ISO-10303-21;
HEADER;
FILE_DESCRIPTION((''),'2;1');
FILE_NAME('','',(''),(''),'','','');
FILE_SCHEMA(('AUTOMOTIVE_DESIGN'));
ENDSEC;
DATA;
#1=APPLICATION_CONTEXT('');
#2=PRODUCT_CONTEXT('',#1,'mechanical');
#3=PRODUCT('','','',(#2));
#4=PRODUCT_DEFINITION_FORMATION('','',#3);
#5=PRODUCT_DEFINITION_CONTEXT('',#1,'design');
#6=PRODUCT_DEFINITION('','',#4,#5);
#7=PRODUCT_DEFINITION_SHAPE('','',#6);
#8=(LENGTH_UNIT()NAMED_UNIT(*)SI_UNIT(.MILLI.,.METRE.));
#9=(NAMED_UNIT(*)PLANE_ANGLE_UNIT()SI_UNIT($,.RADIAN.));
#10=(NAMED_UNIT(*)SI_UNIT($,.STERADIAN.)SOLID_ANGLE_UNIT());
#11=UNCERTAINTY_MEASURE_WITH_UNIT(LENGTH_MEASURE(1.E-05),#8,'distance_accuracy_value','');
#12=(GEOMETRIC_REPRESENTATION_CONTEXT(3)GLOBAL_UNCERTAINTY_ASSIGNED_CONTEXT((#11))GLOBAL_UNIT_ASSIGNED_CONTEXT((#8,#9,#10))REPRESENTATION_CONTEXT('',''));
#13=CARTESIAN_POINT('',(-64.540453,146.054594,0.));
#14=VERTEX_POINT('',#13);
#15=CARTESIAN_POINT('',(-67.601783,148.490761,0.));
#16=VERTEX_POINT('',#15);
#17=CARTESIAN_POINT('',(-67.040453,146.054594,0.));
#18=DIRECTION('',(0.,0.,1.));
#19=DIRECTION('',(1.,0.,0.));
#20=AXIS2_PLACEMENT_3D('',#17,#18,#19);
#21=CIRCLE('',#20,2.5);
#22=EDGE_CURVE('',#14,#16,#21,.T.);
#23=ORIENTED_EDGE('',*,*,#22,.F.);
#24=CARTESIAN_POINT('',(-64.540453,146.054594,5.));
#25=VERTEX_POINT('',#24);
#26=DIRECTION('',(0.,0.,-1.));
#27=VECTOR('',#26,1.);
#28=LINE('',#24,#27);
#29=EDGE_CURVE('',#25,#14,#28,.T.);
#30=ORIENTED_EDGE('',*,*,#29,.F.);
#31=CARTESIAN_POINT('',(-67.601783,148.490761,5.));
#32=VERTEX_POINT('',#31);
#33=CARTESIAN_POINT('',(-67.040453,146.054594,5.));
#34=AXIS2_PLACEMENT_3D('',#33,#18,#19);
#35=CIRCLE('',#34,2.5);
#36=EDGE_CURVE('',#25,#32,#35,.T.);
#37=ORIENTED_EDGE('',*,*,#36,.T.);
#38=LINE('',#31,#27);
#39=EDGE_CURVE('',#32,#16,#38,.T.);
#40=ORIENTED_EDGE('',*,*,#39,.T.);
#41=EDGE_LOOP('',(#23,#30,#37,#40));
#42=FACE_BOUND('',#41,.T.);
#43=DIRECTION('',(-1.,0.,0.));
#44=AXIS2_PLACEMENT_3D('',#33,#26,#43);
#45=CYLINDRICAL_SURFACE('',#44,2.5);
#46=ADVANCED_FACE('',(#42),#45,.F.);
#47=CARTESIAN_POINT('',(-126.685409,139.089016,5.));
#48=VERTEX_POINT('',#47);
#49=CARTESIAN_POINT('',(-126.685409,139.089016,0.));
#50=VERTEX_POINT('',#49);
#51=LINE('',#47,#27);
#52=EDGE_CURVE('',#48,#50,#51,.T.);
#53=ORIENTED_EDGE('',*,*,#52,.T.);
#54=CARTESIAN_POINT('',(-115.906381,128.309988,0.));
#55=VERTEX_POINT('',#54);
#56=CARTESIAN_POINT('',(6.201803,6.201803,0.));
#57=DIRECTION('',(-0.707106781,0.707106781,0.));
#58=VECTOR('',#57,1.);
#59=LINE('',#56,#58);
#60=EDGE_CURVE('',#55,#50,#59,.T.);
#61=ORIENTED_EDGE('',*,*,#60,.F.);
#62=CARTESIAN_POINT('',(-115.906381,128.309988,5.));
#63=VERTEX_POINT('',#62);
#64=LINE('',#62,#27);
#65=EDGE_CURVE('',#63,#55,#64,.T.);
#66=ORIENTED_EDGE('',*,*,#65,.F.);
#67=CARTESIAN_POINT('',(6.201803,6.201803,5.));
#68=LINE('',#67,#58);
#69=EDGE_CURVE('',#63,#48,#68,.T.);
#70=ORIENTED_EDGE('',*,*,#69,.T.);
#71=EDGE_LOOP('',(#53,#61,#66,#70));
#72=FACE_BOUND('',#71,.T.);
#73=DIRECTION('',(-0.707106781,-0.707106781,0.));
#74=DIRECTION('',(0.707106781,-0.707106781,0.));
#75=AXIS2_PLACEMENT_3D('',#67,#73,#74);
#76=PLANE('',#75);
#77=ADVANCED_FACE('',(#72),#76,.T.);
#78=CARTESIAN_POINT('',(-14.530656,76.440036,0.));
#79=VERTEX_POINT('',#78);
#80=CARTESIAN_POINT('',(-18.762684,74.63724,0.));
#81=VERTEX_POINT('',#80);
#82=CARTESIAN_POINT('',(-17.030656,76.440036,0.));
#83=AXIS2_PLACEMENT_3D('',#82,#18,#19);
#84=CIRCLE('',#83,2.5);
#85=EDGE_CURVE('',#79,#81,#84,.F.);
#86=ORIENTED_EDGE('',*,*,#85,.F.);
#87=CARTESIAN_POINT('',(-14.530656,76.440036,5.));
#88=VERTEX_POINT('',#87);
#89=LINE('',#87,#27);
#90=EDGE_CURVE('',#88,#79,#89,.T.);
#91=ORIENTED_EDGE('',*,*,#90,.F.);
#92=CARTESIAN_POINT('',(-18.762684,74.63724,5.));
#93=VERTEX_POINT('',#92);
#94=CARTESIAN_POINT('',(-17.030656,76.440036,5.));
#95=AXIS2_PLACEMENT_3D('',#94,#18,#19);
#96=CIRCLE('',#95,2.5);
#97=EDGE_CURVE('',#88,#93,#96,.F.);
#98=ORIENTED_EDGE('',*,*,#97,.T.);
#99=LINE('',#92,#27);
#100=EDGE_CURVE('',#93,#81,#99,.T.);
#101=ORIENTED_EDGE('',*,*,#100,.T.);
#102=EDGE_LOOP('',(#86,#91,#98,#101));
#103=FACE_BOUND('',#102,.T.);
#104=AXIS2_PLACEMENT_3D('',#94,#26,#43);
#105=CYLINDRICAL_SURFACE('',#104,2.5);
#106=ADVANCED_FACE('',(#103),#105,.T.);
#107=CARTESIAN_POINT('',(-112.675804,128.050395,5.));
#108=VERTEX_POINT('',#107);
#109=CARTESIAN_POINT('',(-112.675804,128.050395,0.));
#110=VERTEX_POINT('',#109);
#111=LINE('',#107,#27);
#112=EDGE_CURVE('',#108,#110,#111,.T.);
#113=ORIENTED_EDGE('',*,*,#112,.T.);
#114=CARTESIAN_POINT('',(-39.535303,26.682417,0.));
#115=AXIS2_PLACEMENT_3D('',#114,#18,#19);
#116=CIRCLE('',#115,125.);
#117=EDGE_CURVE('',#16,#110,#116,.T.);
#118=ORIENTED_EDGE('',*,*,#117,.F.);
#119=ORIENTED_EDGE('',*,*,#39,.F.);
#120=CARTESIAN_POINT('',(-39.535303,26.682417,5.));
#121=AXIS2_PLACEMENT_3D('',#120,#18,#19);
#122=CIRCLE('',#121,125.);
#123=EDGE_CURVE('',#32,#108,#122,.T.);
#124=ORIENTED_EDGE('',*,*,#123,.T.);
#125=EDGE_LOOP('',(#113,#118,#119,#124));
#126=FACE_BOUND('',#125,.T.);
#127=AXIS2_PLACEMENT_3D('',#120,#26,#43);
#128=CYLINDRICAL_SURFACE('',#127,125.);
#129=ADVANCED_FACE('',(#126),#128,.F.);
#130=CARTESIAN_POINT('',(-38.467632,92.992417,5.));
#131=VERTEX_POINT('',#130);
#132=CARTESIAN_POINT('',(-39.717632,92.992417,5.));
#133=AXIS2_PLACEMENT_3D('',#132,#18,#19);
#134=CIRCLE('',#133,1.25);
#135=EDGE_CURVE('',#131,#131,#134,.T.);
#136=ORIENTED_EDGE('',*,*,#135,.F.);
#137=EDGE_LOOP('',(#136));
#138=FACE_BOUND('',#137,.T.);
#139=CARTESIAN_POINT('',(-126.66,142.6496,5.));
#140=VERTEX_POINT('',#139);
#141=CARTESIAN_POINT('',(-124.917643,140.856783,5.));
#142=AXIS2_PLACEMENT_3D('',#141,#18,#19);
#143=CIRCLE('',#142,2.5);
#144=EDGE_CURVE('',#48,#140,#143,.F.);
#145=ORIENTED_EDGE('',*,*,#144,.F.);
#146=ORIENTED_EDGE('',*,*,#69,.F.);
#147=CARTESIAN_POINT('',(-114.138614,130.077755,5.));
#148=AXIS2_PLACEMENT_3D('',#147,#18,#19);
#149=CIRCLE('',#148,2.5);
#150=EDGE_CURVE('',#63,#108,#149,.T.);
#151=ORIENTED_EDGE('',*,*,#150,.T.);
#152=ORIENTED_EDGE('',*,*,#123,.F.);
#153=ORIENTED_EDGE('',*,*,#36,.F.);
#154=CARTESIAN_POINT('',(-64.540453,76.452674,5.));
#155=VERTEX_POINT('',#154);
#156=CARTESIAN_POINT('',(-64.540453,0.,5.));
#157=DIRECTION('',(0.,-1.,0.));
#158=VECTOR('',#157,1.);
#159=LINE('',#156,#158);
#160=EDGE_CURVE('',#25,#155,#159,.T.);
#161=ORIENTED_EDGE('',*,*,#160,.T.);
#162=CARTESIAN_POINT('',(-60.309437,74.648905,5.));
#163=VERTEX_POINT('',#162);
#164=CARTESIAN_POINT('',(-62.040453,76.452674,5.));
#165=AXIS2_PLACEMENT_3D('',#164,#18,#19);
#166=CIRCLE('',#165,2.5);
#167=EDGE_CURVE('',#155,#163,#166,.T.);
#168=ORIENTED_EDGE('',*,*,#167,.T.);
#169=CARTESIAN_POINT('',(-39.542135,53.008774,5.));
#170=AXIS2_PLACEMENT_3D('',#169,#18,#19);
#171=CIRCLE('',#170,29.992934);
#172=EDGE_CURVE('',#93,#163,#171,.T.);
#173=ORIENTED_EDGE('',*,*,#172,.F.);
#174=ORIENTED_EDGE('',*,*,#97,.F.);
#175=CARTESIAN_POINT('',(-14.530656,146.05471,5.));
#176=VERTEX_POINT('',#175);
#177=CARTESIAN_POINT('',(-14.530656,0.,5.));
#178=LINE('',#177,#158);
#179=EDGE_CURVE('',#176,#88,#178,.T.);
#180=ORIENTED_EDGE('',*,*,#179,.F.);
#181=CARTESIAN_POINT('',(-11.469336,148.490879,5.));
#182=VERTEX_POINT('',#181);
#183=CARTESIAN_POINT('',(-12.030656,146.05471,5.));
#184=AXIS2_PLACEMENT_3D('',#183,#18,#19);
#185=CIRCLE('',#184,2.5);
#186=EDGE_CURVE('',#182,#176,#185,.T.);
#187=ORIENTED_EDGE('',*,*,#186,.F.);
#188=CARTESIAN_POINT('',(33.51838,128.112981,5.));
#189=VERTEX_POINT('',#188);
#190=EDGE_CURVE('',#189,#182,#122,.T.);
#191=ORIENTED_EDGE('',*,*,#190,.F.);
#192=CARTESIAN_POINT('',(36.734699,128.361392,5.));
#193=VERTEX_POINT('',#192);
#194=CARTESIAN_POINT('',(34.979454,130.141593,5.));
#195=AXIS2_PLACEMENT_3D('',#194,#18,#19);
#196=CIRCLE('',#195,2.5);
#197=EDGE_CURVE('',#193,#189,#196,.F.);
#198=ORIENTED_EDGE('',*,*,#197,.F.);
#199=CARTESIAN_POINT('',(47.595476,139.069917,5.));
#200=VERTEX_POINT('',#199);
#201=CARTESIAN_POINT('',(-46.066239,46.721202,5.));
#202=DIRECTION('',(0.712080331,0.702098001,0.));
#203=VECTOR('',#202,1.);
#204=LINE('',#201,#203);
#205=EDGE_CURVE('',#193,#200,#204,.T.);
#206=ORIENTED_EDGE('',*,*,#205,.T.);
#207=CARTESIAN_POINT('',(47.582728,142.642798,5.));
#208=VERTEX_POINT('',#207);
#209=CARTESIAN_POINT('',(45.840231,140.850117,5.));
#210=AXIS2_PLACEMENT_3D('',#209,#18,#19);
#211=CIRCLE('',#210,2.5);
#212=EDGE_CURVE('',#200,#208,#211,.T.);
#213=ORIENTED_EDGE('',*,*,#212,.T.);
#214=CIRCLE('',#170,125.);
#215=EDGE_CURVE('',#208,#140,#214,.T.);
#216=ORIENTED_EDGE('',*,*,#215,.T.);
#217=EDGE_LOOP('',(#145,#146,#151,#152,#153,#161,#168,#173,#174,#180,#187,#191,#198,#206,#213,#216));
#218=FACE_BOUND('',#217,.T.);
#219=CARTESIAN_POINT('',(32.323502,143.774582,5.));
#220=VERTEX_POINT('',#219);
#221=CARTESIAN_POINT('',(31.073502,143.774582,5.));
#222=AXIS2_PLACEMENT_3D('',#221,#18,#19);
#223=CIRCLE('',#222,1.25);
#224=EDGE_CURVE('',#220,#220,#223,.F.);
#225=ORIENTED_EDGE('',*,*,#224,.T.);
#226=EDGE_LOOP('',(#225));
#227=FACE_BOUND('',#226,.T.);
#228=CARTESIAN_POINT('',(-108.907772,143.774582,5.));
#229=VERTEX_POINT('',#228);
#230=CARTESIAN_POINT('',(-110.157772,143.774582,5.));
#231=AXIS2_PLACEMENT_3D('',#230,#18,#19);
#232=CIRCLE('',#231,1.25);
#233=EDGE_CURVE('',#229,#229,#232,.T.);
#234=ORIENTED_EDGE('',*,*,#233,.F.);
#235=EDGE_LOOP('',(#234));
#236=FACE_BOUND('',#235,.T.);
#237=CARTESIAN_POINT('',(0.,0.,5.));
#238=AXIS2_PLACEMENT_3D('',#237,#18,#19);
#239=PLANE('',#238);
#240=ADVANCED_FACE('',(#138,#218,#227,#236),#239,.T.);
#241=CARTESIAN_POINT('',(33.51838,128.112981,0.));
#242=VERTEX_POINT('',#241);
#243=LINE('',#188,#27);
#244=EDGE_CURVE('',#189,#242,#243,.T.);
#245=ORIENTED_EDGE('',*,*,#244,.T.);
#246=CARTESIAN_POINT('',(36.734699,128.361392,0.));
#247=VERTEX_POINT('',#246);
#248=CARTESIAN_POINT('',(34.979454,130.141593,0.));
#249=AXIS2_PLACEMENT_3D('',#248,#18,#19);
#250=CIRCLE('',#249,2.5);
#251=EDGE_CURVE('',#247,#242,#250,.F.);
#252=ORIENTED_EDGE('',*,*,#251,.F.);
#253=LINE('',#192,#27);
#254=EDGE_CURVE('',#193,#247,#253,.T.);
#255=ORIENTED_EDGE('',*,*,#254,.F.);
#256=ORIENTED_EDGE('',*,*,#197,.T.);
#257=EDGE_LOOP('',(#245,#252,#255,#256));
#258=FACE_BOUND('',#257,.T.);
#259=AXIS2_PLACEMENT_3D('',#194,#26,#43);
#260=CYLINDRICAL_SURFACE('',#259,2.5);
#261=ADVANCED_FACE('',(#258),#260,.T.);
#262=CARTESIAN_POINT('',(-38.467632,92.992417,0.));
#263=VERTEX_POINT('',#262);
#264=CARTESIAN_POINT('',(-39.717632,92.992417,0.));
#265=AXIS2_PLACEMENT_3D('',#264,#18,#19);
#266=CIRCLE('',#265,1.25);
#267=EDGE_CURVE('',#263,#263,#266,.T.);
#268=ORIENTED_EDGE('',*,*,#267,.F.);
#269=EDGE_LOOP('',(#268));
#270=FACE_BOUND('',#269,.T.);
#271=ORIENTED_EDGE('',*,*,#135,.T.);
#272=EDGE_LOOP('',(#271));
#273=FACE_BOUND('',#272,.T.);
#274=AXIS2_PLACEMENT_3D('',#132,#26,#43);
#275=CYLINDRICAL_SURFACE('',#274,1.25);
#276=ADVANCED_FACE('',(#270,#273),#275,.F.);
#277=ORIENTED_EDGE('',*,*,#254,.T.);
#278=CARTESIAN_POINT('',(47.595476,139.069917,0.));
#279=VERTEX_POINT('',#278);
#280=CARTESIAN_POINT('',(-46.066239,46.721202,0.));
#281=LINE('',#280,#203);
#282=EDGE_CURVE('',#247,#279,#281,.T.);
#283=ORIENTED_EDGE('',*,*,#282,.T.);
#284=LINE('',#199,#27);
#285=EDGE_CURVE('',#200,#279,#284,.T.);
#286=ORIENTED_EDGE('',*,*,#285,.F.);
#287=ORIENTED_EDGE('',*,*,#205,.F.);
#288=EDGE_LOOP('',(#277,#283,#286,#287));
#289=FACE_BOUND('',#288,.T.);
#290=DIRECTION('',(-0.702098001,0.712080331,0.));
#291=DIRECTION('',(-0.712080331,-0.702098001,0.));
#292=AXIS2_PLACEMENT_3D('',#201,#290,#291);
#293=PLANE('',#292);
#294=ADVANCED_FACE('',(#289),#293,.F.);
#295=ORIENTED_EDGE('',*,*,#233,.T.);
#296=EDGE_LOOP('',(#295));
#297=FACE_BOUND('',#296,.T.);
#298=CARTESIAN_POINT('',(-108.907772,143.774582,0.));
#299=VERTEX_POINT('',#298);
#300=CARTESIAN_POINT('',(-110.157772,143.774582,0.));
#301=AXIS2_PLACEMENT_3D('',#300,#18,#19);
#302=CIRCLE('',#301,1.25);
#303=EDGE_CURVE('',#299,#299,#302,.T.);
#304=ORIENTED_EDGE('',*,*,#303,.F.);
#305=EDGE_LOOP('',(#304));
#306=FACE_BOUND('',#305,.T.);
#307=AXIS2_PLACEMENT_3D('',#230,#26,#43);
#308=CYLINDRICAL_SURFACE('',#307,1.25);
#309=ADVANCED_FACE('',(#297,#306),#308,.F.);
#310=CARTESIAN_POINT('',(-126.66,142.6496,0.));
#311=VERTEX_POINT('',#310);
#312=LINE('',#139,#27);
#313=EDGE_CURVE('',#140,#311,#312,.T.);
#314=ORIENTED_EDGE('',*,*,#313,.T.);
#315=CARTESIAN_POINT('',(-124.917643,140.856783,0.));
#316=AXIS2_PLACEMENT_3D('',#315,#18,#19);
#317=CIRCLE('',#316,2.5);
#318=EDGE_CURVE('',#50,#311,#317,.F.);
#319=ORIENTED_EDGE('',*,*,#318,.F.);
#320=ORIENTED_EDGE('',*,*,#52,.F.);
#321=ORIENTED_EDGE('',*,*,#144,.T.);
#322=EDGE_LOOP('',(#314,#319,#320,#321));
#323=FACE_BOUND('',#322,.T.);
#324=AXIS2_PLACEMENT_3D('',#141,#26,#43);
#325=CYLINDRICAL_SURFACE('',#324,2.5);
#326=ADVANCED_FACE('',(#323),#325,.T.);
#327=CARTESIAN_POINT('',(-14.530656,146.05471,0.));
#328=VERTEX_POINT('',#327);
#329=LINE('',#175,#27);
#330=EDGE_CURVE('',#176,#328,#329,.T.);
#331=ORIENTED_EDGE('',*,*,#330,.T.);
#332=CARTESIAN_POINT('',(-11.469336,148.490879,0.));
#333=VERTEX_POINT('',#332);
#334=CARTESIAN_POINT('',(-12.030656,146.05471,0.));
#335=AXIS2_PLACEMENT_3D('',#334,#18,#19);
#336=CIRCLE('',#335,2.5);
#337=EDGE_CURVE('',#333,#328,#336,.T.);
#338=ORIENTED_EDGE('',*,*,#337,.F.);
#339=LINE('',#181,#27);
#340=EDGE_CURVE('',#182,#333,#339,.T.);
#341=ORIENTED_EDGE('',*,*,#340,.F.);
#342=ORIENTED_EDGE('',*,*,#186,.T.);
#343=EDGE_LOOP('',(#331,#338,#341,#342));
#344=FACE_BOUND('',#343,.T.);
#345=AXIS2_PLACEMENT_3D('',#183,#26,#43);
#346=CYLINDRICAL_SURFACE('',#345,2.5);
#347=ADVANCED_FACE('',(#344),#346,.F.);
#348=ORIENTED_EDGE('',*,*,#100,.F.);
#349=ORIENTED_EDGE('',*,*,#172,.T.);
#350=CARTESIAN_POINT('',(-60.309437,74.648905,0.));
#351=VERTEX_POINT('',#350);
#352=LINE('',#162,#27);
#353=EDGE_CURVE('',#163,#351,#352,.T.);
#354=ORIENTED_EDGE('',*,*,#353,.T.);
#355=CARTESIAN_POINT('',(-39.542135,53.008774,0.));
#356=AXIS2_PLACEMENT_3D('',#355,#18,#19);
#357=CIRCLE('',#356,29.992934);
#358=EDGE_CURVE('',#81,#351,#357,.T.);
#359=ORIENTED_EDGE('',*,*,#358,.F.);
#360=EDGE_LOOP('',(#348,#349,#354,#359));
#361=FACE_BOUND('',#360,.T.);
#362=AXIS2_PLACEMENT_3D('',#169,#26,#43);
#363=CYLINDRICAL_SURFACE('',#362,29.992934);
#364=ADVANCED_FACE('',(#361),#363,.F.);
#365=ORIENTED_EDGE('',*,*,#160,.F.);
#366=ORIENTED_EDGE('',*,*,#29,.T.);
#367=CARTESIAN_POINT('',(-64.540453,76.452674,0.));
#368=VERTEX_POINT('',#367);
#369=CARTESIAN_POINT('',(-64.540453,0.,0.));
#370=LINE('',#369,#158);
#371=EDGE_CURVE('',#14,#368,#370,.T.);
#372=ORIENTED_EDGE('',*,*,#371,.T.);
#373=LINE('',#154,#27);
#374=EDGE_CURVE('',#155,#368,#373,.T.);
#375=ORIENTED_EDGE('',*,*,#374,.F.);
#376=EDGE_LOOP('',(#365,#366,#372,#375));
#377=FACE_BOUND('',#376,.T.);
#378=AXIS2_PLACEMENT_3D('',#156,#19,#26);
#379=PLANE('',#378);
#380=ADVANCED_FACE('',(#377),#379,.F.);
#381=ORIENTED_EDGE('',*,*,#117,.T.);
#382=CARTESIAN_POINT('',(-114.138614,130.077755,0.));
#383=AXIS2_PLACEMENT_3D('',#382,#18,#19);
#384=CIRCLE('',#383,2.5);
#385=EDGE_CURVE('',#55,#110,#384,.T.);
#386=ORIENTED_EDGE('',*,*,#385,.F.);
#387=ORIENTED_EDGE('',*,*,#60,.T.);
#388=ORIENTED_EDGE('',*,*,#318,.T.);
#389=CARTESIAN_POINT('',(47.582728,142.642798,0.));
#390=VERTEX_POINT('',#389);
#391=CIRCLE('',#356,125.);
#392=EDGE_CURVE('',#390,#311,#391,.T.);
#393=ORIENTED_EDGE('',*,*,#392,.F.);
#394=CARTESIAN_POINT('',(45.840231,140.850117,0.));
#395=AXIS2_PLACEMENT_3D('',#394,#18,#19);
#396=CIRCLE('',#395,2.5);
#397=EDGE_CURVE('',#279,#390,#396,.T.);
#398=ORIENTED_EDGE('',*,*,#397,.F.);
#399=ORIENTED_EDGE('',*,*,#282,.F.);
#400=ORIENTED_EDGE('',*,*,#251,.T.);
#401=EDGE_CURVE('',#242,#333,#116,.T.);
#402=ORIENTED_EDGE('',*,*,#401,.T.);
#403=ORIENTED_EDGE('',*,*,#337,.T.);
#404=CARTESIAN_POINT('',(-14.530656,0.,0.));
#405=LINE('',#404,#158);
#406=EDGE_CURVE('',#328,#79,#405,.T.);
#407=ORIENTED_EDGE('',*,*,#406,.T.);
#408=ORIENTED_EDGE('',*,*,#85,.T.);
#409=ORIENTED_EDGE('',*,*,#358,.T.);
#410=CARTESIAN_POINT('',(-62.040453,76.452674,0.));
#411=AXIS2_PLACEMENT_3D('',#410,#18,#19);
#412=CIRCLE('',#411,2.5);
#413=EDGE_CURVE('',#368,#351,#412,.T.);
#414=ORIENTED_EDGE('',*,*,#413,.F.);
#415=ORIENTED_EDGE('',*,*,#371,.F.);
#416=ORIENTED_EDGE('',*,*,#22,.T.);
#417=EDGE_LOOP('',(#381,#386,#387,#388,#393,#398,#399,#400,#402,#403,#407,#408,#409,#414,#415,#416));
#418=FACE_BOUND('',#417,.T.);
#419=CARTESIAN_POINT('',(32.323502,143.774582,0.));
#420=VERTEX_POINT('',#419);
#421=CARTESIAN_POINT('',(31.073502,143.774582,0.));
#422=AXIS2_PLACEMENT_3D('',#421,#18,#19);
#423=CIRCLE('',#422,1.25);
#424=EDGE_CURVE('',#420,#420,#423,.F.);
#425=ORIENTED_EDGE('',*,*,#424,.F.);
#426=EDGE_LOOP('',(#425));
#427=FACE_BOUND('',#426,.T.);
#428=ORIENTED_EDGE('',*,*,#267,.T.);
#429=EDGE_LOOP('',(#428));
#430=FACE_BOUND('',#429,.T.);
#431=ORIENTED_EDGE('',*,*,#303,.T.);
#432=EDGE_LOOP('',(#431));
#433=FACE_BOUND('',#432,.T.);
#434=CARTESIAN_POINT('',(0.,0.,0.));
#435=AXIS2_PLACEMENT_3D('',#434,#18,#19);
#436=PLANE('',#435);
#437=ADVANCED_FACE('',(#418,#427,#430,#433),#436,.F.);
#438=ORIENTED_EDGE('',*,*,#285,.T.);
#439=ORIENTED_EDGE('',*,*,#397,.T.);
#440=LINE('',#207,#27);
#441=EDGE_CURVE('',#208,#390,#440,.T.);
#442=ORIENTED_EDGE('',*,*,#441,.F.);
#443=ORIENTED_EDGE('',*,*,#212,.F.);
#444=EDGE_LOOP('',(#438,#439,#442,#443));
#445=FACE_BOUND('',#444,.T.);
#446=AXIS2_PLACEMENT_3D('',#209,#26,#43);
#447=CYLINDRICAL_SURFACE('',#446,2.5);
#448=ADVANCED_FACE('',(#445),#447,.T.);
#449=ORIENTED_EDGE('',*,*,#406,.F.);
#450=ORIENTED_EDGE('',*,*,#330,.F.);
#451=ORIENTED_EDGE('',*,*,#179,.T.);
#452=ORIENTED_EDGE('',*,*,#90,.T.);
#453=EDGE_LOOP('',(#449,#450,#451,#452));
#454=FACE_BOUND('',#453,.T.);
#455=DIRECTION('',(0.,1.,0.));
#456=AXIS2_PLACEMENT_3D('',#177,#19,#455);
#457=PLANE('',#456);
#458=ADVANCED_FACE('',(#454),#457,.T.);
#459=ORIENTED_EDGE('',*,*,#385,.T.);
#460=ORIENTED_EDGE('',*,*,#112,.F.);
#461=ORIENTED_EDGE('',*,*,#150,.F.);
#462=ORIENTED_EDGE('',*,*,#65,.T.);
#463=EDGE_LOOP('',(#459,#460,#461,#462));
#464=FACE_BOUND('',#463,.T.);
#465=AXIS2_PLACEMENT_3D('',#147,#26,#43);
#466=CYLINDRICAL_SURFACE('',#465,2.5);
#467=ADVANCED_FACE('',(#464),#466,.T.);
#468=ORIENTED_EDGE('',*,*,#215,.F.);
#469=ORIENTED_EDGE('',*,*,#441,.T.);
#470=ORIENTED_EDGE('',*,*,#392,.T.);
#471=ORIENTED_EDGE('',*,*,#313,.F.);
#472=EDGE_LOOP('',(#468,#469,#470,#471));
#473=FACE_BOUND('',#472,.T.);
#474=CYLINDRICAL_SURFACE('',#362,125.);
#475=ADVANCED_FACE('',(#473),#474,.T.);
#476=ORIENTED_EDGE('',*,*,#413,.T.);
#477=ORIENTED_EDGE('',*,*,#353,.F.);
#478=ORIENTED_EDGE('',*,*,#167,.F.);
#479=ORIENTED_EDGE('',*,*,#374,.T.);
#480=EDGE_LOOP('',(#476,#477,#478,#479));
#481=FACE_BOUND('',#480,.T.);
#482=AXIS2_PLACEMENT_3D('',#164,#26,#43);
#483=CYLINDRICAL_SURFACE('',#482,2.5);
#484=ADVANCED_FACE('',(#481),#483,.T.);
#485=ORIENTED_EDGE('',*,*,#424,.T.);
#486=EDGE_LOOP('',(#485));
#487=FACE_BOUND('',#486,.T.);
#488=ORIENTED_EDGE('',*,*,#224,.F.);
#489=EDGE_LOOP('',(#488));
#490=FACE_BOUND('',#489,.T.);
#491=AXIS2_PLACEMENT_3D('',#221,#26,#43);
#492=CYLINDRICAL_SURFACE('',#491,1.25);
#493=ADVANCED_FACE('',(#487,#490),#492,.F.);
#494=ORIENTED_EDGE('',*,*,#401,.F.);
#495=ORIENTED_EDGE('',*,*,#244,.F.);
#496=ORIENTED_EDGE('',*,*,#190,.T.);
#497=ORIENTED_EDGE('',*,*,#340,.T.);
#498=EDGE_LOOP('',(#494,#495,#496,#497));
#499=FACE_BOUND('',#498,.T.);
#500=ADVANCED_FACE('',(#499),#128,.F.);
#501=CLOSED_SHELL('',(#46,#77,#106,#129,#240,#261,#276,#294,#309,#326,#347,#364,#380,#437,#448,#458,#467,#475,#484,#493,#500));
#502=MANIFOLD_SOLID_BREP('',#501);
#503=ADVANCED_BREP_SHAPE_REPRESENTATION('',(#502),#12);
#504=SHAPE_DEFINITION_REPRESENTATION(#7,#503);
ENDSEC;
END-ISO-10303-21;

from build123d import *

# Parameters (mm, degrees)
SKETCH1_R           = 1.25
BOSS_EXTRUDE1_DEPTH = 5


with BuildPart() as part:
    # Sketch1 → Boss-Extrude1 (new body)
    with BuildSketch(Plane.XY):
        with BuildLine():
            Line((-14.530655618, 76.440036381), (-14.530655618, 146.054710198))
            ThreePointArc((-14.530655618, 146.054710198), (-13.587367163, 148.010892491), (-11.469336287, 148.490879447))
            ThreePointArc((-11.469336287, 148.490879447), (12.04095694, 140.545885375), (33.518380328, 128.112981328))
            ThreePointArc((33.518380328, 128.112981328), (35.171966674, 127.649015862), (36.734698992, 128.361391788))
            Line((36.734698992, 128.361391788), (47.595476063, 139.069916571))
            ThreePointArc((47.595476063, 139.069916571), (48.340215149, 140.859037128), (47.582728327, 142.642797871))
            ThreePointArc((47.582728327, 142.642797871), (-39.537255282, 178.008774119), (-126.659999819, 142.649599861))
            ThreePointArc((-126.659999819, 142.649599861), (-127.417578865, 140.874623829), (-126.685409475, 139.089016395))
            Line((-126.685409475, 139.089016395), (-115.90638117, 128.309988089))
            ThreePointArc((-115.90638117, 128.309988089), (-114.338855979, 127.585787298), (-112.675804189, 128.050395473))
            ThreePointArc((-112.675804189, 128.050395473), (-91.160542777, 140.523686318), (-67.601782697, 148.490761164))
            ThreePointArc((-67.601782697, 148.490761164), (-65.483745675, 148.010779854), (-64.540453099, 146.054594281))
            Line((-64.540453099, 146.054594281), (-64.540453099, 76.452673847))
            ThreePointArc((-64.540453099, 76.452673847), (-63.02087634, 74.152941195), (-60.309436884, 74.648904776))
            ThreePointArc((-60.309436884, 74.648904776), (-39.533713803, 83.001706864), (-18.762684454, 74.637239634))
            ThreePointArc((-18.762684454, 74.637239634), (-16.050878115, 74.140028546), (-14.530655618, 76.440036381))
        make_face()
        with Locations((-39.71763232, 92.992417004)):
            Circle(SKETCH1_R, mode=Mode.SUBTRACT)
        with Locations((-110.157771622, 143.774581978)):
            Circle(SKETCH1_R, mode=Mode.SUBTRACT)
        with Locations((31.073501699, 143.774581978)):
            Circle(SKETCH1_R, mode=Mode.SUBTRACT)
    extrude(amount=BOSS_EXTRUDE1_DEPTH)


solid = part.part
